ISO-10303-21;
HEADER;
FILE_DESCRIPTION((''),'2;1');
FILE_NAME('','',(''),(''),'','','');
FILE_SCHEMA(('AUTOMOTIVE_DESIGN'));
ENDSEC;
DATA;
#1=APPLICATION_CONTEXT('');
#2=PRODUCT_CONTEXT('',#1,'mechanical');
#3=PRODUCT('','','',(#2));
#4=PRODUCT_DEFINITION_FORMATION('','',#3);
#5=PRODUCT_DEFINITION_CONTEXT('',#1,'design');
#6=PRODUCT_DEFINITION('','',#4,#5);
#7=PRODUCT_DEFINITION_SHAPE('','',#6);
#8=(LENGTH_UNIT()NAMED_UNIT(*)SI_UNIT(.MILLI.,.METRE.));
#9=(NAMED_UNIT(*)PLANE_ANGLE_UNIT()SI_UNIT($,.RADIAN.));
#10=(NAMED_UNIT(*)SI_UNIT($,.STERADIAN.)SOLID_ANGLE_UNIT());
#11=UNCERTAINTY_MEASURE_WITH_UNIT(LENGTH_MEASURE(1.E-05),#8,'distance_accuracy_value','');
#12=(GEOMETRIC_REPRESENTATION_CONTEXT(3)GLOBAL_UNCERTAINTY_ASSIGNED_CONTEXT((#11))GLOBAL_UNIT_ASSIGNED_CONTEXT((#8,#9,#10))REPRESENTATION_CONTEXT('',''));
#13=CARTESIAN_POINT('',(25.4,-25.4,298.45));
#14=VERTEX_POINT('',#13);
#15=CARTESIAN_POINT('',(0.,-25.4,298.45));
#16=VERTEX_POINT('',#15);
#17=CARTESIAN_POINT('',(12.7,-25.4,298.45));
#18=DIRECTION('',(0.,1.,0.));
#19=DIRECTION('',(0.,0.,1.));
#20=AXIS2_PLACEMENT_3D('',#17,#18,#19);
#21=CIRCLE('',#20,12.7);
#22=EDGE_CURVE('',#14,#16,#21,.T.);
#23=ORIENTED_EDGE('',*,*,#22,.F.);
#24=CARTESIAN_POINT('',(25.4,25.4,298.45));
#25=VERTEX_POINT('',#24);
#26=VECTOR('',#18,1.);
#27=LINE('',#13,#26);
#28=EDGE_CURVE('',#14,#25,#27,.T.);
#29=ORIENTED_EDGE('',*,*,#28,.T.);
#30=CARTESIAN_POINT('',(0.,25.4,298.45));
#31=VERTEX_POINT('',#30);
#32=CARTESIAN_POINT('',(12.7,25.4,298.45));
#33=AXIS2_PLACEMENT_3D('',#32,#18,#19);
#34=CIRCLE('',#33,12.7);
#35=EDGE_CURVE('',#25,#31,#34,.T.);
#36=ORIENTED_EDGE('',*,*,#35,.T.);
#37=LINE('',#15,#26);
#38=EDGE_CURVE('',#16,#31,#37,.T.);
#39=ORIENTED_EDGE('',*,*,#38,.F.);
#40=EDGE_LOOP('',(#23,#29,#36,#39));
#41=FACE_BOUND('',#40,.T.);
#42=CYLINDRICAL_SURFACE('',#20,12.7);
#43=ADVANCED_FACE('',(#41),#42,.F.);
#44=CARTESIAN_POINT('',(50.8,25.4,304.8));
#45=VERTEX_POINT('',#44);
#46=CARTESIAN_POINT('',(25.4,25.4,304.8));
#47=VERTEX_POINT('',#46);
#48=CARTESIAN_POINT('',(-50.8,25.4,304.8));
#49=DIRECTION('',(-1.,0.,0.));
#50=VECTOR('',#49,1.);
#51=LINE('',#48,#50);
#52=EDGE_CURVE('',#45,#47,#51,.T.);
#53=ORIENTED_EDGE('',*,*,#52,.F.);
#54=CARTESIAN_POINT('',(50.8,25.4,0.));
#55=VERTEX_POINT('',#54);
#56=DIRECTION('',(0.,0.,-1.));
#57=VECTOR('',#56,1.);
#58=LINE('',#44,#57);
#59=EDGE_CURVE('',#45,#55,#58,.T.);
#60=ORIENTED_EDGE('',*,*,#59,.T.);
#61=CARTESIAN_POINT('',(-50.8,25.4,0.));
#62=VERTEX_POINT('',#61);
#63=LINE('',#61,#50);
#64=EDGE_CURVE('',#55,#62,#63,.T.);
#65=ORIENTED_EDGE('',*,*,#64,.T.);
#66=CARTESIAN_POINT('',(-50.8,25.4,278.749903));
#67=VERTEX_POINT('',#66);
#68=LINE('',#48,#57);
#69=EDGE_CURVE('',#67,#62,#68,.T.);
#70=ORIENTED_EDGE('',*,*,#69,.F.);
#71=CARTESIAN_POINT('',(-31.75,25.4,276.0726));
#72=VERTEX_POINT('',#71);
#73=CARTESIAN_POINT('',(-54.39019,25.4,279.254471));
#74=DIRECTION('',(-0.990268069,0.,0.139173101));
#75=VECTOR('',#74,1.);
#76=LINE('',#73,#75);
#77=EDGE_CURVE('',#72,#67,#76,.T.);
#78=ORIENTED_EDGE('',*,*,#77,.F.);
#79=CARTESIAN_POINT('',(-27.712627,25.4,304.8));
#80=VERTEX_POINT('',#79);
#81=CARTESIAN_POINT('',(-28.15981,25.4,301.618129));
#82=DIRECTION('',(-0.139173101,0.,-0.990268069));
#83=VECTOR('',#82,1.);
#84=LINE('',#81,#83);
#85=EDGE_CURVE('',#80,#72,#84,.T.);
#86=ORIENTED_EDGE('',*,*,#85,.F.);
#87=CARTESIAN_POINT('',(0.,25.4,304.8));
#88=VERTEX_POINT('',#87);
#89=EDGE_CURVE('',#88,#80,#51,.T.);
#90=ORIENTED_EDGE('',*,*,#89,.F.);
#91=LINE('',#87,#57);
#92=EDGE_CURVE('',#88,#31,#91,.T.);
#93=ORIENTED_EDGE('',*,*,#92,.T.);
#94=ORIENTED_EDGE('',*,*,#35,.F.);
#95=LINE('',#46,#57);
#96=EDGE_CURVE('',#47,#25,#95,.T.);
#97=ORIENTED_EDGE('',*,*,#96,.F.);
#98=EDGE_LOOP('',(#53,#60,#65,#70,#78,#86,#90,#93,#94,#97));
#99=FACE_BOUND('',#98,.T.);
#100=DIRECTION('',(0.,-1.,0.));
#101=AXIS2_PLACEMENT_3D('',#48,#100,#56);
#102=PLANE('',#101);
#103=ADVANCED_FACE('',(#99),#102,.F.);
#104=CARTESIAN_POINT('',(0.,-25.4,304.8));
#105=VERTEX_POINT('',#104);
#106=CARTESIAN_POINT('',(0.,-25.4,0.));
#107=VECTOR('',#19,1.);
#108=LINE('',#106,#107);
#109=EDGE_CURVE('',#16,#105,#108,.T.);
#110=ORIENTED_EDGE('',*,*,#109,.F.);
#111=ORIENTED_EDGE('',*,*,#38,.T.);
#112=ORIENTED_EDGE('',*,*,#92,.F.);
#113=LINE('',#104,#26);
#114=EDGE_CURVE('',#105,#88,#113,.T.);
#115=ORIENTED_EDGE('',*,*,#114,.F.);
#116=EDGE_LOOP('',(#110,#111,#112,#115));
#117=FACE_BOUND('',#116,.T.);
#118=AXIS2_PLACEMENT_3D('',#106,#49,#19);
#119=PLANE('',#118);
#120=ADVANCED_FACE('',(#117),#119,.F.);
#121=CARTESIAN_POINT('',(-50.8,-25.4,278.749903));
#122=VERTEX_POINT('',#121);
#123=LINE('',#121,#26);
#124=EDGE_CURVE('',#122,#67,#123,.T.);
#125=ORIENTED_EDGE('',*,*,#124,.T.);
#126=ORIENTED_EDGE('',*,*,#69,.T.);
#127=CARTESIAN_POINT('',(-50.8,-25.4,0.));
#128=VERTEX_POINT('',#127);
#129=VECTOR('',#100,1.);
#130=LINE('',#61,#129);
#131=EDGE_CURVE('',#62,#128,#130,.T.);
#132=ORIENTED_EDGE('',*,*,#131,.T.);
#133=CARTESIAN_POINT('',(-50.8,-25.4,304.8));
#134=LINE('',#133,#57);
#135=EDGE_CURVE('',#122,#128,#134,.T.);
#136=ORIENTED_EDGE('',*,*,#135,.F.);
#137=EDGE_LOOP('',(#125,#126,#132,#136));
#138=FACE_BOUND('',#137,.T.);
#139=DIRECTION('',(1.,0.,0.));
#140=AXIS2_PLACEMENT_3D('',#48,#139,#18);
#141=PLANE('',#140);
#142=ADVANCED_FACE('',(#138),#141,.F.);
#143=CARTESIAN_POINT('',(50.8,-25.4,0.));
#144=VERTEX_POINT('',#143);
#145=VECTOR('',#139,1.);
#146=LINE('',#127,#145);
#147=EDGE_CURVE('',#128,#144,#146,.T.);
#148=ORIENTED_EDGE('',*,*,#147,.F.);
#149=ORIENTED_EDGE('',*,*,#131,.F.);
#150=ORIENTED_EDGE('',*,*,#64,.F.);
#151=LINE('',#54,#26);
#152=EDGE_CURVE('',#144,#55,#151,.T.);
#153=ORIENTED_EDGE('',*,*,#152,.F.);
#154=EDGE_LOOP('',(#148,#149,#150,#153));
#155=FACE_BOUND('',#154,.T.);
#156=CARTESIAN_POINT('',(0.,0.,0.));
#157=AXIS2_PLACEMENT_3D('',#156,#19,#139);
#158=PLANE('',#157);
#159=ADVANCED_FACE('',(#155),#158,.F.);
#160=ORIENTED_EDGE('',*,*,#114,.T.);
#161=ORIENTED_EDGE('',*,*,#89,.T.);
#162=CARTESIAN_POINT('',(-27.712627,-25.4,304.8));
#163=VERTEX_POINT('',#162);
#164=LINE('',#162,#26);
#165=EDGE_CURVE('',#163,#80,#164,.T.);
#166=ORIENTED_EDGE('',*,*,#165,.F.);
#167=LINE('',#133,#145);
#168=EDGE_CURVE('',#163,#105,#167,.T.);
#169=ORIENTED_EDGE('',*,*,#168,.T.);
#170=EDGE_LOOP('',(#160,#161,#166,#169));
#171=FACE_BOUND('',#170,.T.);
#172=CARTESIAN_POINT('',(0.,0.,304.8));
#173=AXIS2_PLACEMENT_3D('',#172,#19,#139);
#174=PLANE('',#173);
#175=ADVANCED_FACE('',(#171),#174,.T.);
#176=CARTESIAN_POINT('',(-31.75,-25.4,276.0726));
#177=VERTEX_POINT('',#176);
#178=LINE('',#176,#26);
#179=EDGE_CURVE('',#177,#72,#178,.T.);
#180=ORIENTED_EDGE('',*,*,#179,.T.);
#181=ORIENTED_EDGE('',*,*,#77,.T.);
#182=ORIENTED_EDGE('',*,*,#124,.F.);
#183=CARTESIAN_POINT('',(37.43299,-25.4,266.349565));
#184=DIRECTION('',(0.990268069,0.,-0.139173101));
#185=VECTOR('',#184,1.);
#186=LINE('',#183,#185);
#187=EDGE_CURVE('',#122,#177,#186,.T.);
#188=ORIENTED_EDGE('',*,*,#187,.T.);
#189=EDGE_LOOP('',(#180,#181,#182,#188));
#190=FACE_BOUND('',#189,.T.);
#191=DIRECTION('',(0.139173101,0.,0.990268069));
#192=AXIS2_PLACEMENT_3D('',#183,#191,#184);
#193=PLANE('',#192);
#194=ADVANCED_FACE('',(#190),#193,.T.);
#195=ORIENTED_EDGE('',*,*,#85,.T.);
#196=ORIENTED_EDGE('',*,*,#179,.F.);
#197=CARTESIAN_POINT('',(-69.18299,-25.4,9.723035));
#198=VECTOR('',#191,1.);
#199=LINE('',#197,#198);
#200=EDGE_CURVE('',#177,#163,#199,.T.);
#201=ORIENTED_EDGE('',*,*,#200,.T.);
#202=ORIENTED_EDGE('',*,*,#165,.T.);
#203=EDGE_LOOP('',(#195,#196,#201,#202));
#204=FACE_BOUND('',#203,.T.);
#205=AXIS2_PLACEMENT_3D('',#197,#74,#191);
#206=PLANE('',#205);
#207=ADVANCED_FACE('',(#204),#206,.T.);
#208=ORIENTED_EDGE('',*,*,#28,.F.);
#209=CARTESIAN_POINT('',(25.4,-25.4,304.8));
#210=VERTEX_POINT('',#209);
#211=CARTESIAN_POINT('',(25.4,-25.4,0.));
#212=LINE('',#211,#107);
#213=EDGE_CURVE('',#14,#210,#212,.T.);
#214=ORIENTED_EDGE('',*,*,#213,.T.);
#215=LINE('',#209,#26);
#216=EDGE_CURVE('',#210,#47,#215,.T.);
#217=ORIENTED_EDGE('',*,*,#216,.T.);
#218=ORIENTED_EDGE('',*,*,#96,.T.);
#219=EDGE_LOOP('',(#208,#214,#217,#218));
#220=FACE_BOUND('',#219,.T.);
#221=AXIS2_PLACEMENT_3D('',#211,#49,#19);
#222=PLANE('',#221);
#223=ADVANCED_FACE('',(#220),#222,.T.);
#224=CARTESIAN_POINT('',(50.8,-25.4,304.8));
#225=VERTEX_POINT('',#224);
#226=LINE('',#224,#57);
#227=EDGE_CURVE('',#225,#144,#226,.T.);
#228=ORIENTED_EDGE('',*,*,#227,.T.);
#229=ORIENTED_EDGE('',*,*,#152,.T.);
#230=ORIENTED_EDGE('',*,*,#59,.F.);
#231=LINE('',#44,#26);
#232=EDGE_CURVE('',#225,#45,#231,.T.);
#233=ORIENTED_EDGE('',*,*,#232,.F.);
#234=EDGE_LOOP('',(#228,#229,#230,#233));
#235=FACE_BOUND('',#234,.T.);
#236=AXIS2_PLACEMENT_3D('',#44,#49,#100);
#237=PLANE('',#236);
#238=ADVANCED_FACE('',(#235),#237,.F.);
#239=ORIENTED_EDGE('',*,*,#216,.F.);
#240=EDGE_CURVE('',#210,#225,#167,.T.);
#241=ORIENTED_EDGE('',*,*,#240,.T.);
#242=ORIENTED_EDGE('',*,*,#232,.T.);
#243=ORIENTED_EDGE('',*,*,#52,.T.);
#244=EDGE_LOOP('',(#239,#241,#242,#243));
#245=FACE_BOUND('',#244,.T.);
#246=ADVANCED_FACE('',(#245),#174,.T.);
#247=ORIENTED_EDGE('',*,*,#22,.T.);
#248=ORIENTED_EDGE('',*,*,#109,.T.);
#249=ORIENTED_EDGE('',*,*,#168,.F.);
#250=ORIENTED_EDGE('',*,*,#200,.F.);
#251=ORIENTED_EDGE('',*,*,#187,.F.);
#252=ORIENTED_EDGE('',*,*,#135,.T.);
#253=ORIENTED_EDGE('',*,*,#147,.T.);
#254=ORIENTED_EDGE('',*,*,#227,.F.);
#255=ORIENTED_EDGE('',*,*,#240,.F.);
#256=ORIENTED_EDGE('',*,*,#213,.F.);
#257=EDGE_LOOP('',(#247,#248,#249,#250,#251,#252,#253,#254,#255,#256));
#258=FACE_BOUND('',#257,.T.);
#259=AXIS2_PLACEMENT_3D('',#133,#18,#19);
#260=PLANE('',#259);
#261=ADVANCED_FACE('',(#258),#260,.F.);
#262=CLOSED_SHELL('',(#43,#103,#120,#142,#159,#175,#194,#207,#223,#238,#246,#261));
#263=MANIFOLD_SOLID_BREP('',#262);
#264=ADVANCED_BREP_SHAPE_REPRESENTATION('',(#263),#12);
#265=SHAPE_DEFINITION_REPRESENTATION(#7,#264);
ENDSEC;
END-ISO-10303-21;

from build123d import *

# Parameters (mm, degrees)
SKETCH1_W               = 101.6
SKETCH1_H               = 50.8
BOSS_EXTRUDE1_DEPTH     = 304.8
CUT_EXTRUDE1_DEPTH      = 314.152231351
CUT_EXTRUDE1_DEPTH_BACK = 314.152231351


with BuildPart() as part:
    # Sketch1 → Boss-Extrude1 (new body)
    with BuildSketch(Plane.XY):
        Rectangle(SKETCH1_W, SKETCH1_H)
    extrude(amount=BOSS_EXTRUDE1_DEPTH)

    # Sketch2 → Cut-Extrude1 (cut, two sides: drawn at the far end of the back side and taken through both)
    with BuildSketch(Plane(origin=(0, 25.4, 0), x_dir=(1, 0, 0), z_dir=(0, 1, 0)).offset(-CUT_EXTRUDE1_DEPTH_BACK)):
        with BuildLine():
            ThreePointArc((25.4, -298.45), (12.7, -285.75), (0, -298.45))
            ThreePointArc((0, -298.45), (0.432742006, -301.737001873), (1.701477372, -304.8))
            Line((1.701477372, -304.8), (23.698522628, -304.8))
            ThreePointArc((23.698522628, -304.8), (24.967257994, -301.737001873), (25.4, -298.45))
        make_face()
        with BuildLine():
            Line((23.698522628, -304.8), (1.701477372, -304.8))
            ThreePointArc((1.701477372, -304.8), (12.7, -311.15), (23.698522628, -304.8))
        make_face()
        with BuildLine():
            Line((25.4, -304.8), (25.4, -298.45))
            ThreePointArc((25.4, -298.45), (24.967257994, -301.737001873), (23.698522628, -304.8))
            Line((23.698522628, -304.8), (25.4, -304.8))
        make_face()
        with BuildLine():
            Line((0, -298.45), (0, -304.8))
            Line((0, -304.8), (1.701477372, -304.8))
            ThreePointArc((1.701477372, -304.8), (0.432742006, -301.737001873), (0, -298.45))
        make_face()
        Polygon((-31.75, -276.0726), (-50.8, -278.749902901), (-50.8, -304.8), (-27.712627225, -304.8), align=None)
    extrude(amount=CUT_EXTRUDE1_DEPTH + CUT_EXTRUDE1_DEPTH_BACK, mode=Mode.SUBTRACT)


solid = part.part
